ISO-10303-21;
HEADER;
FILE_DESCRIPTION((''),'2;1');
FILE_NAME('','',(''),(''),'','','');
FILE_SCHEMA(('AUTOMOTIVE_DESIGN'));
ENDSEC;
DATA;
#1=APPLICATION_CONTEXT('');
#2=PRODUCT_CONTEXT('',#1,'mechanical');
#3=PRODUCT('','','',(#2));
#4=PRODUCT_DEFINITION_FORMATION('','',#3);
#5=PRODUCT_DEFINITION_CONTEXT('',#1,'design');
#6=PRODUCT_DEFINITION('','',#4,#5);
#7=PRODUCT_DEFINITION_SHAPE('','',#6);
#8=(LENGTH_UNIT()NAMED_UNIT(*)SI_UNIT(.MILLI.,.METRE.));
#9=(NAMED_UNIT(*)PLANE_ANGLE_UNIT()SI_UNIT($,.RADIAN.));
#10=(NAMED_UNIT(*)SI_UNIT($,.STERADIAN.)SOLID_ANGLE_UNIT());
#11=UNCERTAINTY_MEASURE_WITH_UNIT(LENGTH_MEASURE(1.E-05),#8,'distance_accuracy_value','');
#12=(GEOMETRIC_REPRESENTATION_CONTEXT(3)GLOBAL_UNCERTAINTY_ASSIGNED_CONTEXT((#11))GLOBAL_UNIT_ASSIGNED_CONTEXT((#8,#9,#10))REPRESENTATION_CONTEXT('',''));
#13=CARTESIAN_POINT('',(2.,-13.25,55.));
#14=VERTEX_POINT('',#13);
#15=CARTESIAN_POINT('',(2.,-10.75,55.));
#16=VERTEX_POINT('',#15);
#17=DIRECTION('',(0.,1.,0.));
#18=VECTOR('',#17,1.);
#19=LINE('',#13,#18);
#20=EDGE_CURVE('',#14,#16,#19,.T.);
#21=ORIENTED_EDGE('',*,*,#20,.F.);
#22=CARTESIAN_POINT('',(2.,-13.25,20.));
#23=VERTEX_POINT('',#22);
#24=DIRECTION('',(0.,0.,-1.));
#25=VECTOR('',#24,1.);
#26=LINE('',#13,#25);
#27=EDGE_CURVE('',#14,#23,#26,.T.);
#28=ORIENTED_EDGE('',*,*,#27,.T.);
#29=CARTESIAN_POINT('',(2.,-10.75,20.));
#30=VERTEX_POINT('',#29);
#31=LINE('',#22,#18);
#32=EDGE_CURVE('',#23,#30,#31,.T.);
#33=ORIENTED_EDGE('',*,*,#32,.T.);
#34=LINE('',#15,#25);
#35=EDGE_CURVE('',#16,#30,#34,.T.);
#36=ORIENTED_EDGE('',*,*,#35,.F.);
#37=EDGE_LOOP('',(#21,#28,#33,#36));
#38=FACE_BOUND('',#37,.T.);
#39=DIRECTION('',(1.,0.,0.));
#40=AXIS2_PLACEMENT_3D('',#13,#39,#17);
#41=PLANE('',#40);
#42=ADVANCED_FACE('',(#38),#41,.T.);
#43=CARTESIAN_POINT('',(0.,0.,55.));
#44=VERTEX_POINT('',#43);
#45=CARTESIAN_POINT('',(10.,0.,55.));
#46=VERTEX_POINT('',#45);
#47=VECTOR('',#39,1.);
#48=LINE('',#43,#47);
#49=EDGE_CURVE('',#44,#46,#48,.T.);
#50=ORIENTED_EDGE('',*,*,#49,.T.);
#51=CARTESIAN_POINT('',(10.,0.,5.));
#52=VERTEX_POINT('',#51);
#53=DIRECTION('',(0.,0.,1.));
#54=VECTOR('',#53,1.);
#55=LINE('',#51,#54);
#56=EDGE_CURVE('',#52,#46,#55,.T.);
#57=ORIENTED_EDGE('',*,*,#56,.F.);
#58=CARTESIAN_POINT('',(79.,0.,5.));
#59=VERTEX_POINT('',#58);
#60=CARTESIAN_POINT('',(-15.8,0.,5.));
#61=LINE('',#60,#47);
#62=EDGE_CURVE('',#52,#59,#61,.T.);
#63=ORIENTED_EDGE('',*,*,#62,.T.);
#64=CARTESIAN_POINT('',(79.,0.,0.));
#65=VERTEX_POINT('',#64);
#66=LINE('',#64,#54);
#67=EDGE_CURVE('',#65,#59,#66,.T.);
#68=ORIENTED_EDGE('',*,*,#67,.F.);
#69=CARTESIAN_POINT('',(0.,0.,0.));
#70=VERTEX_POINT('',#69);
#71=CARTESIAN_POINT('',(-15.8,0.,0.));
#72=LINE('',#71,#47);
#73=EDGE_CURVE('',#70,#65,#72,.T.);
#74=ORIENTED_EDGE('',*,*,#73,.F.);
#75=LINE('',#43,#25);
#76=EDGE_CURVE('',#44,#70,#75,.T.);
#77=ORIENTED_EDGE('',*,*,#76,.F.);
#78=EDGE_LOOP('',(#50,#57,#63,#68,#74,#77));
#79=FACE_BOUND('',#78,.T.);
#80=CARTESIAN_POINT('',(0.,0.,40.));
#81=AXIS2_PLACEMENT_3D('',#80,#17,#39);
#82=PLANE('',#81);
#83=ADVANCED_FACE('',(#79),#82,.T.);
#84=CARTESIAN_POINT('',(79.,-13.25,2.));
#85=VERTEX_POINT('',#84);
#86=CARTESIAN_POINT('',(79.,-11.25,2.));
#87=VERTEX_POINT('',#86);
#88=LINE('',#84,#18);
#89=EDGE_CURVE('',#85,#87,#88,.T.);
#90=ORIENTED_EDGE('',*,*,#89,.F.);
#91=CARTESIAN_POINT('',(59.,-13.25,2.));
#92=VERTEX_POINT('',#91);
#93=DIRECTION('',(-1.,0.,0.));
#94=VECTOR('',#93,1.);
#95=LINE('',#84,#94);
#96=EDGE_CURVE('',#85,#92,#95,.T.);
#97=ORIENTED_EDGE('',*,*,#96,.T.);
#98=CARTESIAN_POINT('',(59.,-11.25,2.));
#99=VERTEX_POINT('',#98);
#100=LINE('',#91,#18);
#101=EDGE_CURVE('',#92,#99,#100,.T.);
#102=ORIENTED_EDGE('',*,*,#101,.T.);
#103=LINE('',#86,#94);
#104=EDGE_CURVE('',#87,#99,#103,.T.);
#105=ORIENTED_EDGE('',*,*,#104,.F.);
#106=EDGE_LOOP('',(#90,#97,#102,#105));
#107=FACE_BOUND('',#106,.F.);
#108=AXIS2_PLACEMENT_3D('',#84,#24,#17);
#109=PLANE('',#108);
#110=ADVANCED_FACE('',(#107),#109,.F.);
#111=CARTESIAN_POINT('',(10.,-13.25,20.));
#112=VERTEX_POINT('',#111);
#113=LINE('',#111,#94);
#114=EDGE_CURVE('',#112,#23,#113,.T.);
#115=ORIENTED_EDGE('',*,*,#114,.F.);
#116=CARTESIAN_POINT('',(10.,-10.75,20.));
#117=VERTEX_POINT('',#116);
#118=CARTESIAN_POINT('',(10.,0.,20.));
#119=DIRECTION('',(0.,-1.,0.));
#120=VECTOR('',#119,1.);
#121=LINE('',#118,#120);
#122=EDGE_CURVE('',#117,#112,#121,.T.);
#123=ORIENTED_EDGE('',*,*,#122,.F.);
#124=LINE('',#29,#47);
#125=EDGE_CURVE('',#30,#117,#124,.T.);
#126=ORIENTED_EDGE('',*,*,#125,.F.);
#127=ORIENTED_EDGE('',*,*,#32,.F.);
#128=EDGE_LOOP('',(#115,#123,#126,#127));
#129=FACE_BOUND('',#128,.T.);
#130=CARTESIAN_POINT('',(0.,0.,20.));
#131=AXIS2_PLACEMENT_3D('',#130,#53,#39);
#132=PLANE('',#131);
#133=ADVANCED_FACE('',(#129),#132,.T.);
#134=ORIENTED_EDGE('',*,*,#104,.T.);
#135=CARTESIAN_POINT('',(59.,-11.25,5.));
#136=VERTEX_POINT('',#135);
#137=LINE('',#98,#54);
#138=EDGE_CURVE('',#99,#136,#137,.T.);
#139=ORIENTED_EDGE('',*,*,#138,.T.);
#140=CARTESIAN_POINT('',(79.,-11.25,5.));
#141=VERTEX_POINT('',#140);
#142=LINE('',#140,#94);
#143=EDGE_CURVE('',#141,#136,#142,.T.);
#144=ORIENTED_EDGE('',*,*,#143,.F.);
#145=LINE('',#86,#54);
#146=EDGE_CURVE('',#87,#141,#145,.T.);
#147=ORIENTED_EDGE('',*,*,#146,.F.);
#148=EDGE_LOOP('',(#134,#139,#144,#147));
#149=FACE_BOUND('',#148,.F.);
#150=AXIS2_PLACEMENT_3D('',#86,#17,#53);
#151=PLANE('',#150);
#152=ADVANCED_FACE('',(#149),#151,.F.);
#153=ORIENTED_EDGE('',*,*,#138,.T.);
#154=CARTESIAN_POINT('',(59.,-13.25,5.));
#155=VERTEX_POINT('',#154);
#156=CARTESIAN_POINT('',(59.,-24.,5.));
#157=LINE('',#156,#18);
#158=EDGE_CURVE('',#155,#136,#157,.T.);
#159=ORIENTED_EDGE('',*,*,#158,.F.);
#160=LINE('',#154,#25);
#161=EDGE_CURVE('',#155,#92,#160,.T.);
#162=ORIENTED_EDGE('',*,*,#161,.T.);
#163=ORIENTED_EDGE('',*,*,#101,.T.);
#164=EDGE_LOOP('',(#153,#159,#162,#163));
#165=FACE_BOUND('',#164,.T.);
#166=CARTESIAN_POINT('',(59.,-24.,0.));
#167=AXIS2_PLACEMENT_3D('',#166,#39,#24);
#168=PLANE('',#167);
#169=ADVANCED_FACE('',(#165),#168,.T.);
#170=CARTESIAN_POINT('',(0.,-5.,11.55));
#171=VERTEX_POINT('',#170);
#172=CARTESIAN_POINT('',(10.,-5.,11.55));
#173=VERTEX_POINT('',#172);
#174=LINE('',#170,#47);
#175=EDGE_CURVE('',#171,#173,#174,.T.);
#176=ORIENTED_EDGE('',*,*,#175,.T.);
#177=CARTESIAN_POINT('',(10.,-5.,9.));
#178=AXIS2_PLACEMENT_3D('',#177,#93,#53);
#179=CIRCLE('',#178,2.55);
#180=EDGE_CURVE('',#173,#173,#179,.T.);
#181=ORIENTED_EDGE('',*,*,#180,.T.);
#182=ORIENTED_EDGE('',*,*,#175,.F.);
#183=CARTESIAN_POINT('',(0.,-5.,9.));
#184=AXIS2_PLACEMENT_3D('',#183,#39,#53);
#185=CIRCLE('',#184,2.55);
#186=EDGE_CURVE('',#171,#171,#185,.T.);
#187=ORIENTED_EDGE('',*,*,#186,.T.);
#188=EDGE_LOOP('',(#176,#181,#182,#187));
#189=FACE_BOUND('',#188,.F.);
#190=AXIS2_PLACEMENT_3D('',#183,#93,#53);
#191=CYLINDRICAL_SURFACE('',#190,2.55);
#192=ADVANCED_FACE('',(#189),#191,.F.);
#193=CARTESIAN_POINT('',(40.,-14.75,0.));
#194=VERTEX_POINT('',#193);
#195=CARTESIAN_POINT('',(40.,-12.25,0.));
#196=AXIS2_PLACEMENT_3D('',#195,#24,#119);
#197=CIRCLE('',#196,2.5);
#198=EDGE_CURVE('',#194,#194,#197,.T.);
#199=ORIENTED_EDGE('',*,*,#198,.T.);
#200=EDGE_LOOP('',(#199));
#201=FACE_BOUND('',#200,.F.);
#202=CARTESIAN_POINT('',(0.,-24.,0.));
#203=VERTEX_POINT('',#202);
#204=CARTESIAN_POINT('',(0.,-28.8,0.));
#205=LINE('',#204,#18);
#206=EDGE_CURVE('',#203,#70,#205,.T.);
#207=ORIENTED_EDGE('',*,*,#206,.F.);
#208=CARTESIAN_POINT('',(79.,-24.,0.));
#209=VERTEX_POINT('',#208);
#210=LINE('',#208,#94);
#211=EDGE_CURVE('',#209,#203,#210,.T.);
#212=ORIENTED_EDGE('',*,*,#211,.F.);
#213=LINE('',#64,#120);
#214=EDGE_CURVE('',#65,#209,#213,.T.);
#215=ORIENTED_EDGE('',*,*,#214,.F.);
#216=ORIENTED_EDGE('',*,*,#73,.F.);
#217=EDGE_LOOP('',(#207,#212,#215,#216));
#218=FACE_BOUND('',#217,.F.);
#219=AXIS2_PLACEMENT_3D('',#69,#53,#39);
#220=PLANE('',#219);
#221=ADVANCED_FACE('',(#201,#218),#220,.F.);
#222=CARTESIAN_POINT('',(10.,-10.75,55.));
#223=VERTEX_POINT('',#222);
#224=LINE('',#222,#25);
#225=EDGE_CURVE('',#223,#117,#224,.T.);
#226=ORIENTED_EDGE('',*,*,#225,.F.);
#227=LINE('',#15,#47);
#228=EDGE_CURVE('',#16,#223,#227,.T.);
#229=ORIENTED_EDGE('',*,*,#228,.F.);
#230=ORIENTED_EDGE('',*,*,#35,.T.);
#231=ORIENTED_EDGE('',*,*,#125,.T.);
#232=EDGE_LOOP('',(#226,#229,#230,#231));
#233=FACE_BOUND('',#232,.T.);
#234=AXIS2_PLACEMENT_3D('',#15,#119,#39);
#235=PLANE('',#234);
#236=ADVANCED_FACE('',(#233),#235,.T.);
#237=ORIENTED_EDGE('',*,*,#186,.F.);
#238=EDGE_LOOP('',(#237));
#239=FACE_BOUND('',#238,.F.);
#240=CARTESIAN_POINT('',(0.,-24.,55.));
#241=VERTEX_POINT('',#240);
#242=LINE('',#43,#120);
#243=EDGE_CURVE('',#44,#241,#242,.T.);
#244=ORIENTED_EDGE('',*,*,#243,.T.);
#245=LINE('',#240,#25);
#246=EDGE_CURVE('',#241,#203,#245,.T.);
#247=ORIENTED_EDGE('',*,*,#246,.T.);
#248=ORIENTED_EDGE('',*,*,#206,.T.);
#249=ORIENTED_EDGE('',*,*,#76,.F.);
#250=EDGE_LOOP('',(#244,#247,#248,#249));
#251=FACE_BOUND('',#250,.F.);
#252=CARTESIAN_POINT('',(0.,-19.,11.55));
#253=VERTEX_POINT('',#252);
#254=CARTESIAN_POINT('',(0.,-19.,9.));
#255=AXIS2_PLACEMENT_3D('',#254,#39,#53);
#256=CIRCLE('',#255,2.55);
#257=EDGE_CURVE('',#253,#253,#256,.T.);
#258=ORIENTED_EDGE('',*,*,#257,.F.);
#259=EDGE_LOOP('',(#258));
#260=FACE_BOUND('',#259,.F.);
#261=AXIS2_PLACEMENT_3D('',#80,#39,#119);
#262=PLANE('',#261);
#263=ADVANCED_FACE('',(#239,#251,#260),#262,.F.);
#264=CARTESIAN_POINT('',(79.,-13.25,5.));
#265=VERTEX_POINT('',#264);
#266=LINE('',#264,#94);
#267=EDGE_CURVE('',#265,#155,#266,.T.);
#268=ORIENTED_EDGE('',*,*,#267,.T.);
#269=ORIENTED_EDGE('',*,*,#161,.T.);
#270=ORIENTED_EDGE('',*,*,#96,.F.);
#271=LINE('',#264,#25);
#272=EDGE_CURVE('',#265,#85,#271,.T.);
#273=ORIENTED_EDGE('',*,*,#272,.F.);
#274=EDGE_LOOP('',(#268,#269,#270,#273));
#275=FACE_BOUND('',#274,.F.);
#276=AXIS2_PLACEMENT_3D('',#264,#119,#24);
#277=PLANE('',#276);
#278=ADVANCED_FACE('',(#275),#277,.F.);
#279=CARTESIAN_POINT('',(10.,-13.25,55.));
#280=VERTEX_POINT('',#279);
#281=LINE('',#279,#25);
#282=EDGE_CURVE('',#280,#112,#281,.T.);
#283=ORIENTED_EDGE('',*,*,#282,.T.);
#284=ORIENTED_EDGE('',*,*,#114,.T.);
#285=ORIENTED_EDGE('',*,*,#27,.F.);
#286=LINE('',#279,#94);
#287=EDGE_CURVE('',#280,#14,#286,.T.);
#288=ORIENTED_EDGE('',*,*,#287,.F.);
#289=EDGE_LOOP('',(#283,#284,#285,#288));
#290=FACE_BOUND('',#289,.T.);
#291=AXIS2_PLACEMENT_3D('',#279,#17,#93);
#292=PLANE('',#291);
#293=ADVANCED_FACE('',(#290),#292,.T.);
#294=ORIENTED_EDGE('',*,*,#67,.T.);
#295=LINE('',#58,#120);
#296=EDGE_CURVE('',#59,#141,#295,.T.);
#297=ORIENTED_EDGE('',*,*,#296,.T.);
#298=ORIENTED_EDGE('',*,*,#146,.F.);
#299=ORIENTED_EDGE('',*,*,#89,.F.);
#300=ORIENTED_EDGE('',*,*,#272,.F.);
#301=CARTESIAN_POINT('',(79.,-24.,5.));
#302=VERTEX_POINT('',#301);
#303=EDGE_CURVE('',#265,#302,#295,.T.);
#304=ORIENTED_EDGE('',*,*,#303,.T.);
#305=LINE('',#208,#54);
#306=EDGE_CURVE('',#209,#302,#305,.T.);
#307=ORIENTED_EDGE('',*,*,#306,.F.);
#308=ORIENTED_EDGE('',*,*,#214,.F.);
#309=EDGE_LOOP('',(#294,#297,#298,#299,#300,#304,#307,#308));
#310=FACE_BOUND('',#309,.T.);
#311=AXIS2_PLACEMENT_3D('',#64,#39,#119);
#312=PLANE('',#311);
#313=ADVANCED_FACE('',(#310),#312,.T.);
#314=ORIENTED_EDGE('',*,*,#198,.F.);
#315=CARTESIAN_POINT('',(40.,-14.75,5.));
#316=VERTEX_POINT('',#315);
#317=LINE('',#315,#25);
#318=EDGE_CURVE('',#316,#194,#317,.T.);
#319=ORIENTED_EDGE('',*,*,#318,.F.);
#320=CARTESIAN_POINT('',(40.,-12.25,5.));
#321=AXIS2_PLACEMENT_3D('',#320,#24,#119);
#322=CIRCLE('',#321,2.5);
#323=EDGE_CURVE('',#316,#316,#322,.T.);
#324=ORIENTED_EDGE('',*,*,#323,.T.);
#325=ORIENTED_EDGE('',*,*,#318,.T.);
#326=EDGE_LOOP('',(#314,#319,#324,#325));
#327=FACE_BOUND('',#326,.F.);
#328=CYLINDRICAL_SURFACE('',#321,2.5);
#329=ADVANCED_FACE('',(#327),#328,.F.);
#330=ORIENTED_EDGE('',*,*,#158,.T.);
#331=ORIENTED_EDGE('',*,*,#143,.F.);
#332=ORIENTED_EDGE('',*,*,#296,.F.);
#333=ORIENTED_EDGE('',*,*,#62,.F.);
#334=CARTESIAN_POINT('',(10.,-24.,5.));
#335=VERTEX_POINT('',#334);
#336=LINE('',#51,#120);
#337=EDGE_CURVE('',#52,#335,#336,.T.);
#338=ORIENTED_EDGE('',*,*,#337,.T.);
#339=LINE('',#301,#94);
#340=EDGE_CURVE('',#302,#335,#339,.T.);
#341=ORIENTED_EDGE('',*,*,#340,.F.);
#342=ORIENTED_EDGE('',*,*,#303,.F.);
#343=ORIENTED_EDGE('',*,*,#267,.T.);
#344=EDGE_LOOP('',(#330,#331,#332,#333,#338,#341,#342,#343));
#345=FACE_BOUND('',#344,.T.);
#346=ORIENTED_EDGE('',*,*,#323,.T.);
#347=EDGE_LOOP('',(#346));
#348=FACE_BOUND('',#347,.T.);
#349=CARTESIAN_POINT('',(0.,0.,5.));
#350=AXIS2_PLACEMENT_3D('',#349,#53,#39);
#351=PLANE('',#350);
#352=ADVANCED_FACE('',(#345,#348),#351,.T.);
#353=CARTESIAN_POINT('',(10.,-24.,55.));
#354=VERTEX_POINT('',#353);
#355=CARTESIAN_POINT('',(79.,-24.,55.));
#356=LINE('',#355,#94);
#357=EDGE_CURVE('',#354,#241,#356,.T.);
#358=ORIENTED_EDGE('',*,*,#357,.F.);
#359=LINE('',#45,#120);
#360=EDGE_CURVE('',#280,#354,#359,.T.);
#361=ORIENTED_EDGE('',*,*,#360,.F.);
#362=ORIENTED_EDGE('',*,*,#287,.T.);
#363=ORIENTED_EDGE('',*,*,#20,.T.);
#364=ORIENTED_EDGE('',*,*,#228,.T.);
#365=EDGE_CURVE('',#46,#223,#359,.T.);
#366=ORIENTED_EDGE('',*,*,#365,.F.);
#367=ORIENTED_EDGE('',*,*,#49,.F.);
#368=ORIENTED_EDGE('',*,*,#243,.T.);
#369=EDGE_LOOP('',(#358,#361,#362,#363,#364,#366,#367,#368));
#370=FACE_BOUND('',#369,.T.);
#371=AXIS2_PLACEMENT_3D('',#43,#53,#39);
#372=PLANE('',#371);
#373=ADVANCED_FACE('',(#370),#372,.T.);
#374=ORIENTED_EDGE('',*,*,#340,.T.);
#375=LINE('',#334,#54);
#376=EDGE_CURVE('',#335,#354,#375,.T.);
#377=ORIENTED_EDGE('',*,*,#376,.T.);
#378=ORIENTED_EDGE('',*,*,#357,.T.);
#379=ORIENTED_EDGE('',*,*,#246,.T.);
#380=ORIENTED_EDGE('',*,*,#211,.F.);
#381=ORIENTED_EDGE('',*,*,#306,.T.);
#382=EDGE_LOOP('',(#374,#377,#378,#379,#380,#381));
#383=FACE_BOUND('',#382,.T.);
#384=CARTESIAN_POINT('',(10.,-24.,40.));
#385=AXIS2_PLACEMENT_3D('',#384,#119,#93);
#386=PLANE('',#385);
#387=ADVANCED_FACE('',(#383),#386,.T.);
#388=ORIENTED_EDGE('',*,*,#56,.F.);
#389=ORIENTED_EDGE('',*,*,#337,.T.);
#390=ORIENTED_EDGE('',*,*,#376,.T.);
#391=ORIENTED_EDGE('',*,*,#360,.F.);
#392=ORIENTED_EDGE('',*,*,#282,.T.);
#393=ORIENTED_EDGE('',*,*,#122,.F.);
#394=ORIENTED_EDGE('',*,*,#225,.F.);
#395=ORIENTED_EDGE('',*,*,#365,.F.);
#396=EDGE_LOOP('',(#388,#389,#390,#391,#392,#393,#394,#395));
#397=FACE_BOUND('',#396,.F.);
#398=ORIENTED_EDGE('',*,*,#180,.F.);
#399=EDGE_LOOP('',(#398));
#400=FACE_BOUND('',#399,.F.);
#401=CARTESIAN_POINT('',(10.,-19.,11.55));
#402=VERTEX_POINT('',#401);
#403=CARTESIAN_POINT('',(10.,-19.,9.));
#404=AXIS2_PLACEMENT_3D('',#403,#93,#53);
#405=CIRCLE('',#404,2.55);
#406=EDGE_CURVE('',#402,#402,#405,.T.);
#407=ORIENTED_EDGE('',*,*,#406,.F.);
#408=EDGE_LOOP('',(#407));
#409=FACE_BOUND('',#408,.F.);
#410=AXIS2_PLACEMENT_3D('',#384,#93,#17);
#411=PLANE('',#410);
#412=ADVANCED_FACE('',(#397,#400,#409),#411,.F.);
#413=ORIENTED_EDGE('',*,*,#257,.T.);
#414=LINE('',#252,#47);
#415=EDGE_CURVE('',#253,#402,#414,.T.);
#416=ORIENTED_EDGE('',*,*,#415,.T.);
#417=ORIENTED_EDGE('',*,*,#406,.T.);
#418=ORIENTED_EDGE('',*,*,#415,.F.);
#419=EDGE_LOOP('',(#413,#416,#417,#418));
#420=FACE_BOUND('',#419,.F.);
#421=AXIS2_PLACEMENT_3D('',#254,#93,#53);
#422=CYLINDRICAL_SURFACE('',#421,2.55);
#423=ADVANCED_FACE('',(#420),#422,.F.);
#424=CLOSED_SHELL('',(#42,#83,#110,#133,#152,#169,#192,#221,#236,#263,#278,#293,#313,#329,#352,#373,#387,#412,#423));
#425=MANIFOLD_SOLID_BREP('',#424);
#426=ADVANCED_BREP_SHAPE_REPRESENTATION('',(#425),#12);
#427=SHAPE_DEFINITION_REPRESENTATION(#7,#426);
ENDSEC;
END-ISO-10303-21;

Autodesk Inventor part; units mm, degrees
sketch "Skizze1" plane through (0, 0, 0) normal (0, 0, 1) x (1, 0, 0)
  line L0 (-15.8, 0) -> (94.8, 0) projected
  line L1 (0, -28.8) -> (0, 4.8) projected
  line L2 (0, 0) -> (79, 0)
  line L3 (79, 0) -> (79, -24)
  line L4 (79, -24) -> (0, -24)
  line L5 (0, -24) -> (0, 0)
  dimension "d0" = 79
  dimension "d1" = 24
extrude "Extrusion1" add sketch "Skizze1" along normal blind 5
sketch "Skizze2" plane through (0, 0, 5) normal (0, 0, 1) x (1, 0, 0)
  line L0 (0, -24) -> (79, -24) projected
  line L1 (0, 0) -> (10, 0)
  line L2 (10, 0) -> (10, -24)
  line L3 (10, -24) -> (0, -24)
  line L4 (0, -24) -> (0, 0)
  dimension "d4" = 10
extrude "Extrusion2" add sketch "Skizze2" along normal blind 35
sketch "Skizze3" plane through (79, -24, 0) normal (1, 0, 0) x (0, 0, -1)
  line L0 (-5, 0) -> (-5, 24) projected
  line L1 (-5, 10.75) -> (-2, 10.75)
  line L2 (-2, 10.75) -> (-2, 12.75)
  line L3 (-2, 12.75) -> (-5, 12.75)
  line L4 (-5, 12.75) -> (-5, 10.75)
  line L5 (0, 24) -> (-5, 24) projected
  dimension "d7" = 3
  dimension "d8" = 2
  dimension "d9" = 11.25
extrude "Extrusion3" cut sketch "Skizze3" against normal blind 20
hole "Bohrung1" at (40, -12.25, 5) direction (0, 0, -1) diameter 5 end through all
sketch "Skizze5" plane through (0, -24, 0) normal (-1, 0, 0) x (0, 0, 1)
  line L0 (5, 24) -> (40, 24) projected
  line L1 (9, 24) -> (9, -0.204)
  line L2 (0, 0) -> (0, 24) projected
  circle A0 centre (9, 19) radius 2.55
  circle A1 centre (9, 5) radius 2.55
  line L3 (0, 0) -> (40, 0) projected
  dimension "d26" = 9
  dimension "d27" = 5.1
  dimension "d28" = 5.1
  dimension "d29" = 5
  dimension "d30" = 5
extrude "Extrusion5" cut sketch "Skizze5" against normal blind 30
sketch "Skizze6" plane through (0, 0, 40) normal (0, 0, 1) x (1, 0, 0)
  line L0 (79, -24) -> (0, -24) projected
  line L1 (0, 0) -> (0, -24)
  line L2 (0, -24) -> (10, -24)
  line L3 (10, -24) -> (10, -13.4534)
  line L4 (10, 0) -> (10, -24) projected
  line L5 (10, -13.25) -> (2, -13.25) projected
  line L6 (2, -11.25) -> (10, -11.25) projected
  line L7 (2, -13.25) -> (2, -11.25)
  line L8 (2, -11.25) -> (10, -11.25)
  line L9 (10, -11.25) -> (10, 0)
  line L10 (0, 0) -> (79, 0) projected
  line L11 (0, -24) -> (0, 0) projected
  line L12 (0, 0) -> (0, -24)
  dimension "d33" = 10
sketch "Skizze7" plane through (0, 0, 40) normal (0, 0, 1) x (1, 0, 0)
  line L0 (10, -13.25) -> (2, -13.25) projected
  line L1 (2, -13.25) -> (10, -13.25)
  point P0 (0, 0)
extrude "Extrusion6" add sketch "Skizze6" along normal blind 15 contours L0 L1 L10 L4 L6 L7 L5 L3
sketch "Skizze8" plane through (0, 0, 55) normal (0, 0, 1) x (1, 0, 0)
  line L0 (10, -11.25) -> (2, -11.25) projected
  line L1 (2, -13.25) -> (10, -13.25) projected
  line L2 (2, -11.25) -> (2, -13.25)
  line L3 (2, -13.25) -> (10, -13.25)
  line L4 (10, -13.25) -> (10, -11.25)
  line L5 (10, 0) -> (10, -24) projected
  line L6 (2, -11.25) -> (10, -11.25)
  point P0 (0, 0)
extrude "Extrusion7" add sketch "Skizze8" against normal blind 35
sketch "Skizze9" plane through (0, 0, 0) normal (0, 1, 0) x (-1, 0, 0)
  point P0 (0, 0)
sketch "Skizze10" plane through (0, 0, 55) normal (0, 0, 1) x (1, 0, 0)
  line L0 (10, 0) -> (10, -24) projected
  line L1 (10, -13.25) -> (2, -13.25)
  line L2 (2, -13.25) -> (2, -10.75)
  line L3 (2, -10.75) -> (10, -10.75)
  line L4 (10, -10.75) -> (10, -13.25)
  line L5 (10, 0) -> (0, 0) projected
  line L6 (0, -24) -> (10, -24) projected
  dimension "d38" = 8
  dimension "d39" = 10.75
  dimension "d40" = 10.75
extrude "Extrusion8" cut sketch "Skizze10" against normal blind 35
properties part number "Gundaufbau"
